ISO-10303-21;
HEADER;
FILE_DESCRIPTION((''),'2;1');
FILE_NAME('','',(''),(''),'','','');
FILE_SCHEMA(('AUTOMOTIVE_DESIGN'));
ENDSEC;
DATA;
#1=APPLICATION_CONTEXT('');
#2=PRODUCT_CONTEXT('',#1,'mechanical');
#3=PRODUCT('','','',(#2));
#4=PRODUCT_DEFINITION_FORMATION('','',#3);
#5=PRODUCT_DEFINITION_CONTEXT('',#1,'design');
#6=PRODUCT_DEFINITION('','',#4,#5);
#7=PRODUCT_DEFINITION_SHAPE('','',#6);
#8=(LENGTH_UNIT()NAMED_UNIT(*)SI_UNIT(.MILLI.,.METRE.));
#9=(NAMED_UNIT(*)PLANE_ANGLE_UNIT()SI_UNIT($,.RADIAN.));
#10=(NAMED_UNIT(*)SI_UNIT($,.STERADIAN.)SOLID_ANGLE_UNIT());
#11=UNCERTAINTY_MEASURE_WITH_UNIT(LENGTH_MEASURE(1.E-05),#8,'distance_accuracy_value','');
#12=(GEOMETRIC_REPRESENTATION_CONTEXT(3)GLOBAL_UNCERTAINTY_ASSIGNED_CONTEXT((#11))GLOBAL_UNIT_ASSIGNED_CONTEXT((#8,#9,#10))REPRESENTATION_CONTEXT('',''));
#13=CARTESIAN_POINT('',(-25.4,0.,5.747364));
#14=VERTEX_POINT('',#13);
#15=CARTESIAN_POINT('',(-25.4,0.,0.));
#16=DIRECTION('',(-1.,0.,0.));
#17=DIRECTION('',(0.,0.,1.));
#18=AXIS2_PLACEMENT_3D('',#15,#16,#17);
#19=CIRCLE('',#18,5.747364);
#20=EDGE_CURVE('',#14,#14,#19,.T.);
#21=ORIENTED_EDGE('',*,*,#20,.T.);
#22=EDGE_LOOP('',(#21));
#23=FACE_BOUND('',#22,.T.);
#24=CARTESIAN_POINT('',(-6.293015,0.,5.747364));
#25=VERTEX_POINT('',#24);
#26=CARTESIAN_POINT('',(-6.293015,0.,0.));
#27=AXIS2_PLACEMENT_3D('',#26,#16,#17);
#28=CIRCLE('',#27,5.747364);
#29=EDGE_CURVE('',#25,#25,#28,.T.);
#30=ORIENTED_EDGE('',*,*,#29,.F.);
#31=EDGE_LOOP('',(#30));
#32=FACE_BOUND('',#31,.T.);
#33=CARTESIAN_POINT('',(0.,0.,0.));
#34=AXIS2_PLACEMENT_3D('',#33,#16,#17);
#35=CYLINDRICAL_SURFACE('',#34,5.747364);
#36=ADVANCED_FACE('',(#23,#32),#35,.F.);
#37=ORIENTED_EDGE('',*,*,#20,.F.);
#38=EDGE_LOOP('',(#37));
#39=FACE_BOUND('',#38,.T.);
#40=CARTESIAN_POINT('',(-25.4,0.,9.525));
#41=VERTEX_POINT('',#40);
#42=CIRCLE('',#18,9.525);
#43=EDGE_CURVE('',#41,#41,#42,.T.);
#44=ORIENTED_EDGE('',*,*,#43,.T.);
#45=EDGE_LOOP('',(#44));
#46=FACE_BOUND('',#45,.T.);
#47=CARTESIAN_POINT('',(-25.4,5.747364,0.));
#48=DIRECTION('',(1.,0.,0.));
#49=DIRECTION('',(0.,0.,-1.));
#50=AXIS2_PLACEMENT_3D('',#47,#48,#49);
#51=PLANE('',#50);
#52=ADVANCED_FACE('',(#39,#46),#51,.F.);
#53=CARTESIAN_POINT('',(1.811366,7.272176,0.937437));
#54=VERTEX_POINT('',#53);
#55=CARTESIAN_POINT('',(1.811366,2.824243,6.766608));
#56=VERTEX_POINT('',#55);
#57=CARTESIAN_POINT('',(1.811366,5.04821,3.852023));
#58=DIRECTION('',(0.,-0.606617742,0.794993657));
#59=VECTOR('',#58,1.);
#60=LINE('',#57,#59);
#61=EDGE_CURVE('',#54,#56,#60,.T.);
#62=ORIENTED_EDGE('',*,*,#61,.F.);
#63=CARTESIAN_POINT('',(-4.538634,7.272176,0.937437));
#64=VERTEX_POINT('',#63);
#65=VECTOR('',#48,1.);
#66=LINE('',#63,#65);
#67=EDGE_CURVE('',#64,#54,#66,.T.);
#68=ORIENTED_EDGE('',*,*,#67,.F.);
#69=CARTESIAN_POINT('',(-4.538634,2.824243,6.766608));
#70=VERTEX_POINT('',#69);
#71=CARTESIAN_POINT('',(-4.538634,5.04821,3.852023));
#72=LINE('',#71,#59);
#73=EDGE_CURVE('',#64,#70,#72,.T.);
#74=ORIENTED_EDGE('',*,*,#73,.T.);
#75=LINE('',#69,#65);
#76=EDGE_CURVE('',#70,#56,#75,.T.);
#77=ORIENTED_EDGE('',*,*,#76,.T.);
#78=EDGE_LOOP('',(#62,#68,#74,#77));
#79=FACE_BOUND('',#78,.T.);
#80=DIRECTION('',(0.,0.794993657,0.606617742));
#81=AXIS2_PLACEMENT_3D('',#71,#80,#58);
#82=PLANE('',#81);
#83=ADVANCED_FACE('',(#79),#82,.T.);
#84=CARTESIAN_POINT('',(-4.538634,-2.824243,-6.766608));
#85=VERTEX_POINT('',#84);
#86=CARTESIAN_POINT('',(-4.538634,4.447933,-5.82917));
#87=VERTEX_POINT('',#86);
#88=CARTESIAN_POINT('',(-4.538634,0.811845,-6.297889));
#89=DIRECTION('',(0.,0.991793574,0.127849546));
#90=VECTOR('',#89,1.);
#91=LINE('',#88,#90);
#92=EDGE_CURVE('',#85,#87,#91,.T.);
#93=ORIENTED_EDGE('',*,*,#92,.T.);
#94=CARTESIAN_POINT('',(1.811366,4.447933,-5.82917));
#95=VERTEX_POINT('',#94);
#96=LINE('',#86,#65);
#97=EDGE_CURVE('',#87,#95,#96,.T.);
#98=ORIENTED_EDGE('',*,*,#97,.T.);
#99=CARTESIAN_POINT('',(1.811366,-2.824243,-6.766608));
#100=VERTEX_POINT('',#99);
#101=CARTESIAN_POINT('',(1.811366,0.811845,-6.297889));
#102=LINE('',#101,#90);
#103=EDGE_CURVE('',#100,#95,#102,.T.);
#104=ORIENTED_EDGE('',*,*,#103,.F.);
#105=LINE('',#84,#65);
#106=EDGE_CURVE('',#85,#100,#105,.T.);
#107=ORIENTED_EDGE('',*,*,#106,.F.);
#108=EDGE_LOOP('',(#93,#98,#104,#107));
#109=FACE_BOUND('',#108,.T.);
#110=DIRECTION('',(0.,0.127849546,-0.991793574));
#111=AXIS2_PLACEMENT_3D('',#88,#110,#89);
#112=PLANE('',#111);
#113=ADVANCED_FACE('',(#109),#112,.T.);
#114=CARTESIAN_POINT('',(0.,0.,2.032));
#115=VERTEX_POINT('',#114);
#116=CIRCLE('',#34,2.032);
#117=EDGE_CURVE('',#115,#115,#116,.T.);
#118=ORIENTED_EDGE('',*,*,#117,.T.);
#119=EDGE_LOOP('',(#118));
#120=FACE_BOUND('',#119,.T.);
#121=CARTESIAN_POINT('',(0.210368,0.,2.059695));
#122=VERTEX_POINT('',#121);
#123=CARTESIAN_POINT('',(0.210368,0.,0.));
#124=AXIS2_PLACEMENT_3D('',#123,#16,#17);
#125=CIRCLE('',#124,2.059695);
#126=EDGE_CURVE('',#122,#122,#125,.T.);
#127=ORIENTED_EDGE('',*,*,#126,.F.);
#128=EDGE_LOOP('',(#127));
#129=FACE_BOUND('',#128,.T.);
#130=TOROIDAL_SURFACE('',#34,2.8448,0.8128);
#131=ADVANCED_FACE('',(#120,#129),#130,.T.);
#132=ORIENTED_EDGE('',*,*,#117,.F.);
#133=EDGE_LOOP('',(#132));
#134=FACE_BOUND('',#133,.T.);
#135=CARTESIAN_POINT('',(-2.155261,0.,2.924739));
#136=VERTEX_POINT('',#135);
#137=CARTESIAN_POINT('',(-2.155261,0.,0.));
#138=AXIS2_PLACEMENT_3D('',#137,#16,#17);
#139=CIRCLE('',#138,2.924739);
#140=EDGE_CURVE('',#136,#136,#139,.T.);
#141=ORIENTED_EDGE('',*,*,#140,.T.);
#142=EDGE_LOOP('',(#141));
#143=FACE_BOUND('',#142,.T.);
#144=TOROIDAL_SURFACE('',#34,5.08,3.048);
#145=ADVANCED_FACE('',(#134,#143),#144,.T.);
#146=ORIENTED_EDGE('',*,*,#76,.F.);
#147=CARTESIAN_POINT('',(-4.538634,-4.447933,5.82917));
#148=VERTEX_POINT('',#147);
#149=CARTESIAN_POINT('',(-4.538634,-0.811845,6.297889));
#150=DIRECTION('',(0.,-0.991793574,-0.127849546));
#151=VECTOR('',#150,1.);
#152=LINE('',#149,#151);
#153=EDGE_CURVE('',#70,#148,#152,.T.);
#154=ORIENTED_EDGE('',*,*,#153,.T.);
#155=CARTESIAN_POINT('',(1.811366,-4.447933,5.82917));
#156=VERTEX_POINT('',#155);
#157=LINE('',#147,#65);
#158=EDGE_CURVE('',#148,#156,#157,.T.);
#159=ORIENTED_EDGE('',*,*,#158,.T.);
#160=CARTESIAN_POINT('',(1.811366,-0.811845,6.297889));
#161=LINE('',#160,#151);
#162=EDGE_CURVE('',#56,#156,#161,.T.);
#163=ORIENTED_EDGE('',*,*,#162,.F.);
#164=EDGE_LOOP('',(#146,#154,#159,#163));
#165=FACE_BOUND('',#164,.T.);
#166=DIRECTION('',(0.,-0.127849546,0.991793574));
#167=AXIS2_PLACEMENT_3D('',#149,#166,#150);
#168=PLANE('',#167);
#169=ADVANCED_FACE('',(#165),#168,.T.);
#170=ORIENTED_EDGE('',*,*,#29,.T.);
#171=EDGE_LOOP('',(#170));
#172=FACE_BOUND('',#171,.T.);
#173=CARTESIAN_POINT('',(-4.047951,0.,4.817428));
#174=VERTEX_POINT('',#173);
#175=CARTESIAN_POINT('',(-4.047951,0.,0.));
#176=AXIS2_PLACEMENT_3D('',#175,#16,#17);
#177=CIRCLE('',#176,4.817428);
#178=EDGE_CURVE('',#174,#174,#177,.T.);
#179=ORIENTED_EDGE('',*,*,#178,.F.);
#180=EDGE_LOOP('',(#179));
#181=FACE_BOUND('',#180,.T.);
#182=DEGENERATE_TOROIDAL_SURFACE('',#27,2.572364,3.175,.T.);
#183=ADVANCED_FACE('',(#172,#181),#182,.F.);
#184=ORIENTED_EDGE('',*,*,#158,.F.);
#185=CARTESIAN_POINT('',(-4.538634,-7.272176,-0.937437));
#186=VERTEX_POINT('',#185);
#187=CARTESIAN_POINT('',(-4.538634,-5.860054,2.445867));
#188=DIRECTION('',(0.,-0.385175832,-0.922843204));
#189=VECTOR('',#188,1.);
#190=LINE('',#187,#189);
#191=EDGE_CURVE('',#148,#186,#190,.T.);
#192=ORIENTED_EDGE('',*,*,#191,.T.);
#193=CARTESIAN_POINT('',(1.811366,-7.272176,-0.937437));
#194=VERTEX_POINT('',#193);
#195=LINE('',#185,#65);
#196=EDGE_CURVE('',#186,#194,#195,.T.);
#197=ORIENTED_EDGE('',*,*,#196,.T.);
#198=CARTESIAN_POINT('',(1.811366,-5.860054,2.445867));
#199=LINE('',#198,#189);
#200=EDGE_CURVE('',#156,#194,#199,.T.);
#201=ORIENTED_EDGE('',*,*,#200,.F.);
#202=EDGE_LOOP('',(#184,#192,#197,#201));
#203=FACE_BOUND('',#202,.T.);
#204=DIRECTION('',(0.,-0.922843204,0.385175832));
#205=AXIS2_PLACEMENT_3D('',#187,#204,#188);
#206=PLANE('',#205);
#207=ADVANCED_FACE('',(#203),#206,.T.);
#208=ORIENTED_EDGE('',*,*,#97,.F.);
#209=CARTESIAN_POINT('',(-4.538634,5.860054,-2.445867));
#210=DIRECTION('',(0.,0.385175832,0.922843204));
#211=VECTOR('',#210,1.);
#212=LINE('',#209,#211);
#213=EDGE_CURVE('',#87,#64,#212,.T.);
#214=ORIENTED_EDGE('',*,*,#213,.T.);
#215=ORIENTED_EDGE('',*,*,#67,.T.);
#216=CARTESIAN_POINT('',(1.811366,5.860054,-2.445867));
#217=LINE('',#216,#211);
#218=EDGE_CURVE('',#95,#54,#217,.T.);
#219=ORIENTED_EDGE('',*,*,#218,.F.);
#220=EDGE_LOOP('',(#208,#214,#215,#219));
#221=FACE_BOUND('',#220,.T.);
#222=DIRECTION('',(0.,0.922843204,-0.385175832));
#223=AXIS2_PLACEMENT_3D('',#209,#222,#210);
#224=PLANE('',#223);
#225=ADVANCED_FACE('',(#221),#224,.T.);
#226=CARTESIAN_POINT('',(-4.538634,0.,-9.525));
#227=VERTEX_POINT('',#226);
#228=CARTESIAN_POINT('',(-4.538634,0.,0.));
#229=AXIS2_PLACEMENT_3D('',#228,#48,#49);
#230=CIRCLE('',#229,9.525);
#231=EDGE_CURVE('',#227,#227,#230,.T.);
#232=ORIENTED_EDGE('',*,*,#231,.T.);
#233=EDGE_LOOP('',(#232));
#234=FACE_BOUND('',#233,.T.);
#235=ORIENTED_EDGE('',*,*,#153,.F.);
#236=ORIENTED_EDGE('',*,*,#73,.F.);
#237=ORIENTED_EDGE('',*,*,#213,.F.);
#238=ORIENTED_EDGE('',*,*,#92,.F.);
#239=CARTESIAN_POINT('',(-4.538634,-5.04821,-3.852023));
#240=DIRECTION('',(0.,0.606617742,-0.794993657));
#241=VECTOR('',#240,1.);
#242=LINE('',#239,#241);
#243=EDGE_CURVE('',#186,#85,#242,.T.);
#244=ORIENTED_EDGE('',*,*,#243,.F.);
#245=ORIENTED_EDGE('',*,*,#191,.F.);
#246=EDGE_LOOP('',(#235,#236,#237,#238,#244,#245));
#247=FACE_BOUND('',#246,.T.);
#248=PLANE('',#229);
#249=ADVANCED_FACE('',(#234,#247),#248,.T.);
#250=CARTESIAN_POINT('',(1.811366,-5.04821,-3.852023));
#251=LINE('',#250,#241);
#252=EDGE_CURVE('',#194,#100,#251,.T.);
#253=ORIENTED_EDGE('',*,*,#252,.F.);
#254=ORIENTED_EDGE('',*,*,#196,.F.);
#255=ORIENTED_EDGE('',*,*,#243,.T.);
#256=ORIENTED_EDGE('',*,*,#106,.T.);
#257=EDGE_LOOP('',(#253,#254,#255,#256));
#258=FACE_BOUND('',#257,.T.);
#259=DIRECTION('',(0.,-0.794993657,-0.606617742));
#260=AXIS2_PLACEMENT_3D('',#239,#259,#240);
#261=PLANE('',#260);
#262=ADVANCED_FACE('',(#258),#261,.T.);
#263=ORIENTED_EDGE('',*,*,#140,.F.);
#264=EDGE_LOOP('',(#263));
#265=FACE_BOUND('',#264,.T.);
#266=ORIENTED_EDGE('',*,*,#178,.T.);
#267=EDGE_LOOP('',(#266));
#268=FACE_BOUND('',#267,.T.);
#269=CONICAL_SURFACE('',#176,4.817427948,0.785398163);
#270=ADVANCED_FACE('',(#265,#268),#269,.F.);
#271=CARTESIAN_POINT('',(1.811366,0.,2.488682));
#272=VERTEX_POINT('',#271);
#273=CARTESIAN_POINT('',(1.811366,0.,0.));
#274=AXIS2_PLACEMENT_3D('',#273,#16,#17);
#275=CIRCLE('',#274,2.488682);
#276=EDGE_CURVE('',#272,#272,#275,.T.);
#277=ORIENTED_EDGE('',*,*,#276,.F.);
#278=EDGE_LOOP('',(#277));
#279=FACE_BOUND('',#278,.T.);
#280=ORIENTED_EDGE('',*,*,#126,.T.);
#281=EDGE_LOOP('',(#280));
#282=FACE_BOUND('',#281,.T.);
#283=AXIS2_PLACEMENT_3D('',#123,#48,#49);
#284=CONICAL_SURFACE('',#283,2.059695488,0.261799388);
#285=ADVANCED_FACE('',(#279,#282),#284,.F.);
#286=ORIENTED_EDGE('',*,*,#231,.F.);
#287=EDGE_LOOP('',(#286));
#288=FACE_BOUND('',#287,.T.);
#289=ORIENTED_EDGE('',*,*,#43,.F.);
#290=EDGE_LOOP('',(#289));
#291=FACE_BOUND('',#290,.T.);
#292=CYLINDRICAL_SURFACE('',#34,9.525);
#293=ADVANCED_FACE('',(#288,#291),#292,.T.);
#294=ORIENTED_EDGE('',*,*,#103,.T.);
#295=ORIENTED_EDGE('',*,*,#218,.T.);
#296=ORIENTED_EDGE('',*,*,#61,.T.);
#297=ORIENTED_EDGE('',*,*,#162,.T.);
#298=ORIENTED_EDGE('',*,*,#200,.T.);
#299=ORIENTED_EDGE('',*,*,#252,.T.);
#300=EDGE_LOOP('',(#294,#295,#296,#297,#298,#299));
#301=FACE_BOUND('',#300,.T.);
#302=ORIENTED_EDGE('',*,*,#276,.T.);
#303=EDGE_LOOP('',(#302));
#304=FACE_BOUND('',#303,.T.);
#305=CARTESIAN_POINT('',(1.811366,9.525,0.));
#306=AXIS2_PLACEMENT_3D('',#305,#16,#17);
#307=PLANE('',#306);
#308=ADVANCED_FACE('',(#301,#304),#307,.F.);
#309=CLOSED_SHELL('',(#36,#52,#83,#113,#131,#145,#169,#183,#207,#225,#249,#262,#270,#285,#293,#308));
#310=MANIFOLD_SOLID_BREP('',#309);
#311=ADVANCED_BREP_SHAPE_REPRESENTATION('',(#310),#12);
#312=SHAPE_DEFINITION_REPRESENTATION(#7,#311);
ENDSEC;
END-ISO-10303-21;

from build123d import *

# Parameters (mm, degrees)
CUT_EXTRUDE2_START = -6.35
SKETCH3_R          = 9.525
CUT_EXTRUDE2_DEPTH = 6.35


with BuildPart() as part:
    # Sketch1 → Revolve1 (revolve)
    with BuildSketch(Plane.XY, mode=Mode.PRIVATE) as revolve1_sk:
        with BuildLine():
            Line((0.21036812, 2.059695488), (1.811366005, 2.488681579))
            Line((1.811366005, 2.488681579), (1.811366005, 9.525))
            Line((1.811366005, 9.525), (-10.888633995, 9.525))
            Line((-10.888633995, 9.525), (-25.4, 9.525))
            Line((-25.4, 9.525), (-25.4, 5.747363917))
            Line((-25.4, 5.747363917), (-6.293014916, 5.747363917))
            ThreePointArc((-6.293014916, 5.747363917), (-5.077995018, 5.505681433), (-4.047950886, 4.817427948))
            Line((-4.047950886, 4.817427948), (-2.155261469, 2.924738531))
            ThreePointArc((-2.155261469, 2.924738531), (-1.166419102, 2.264015185), (0, 2.032))
            ThreePointArc((0, 2.032), (0.106091689, 2.038953617), (0.21036812, 2.059695488))
        make_face()
    revolve(revolve1_sk.sketch.rotate(Axis((0, 0, 0), (1, 0, 0)), 90), axis=Axis((0, 0, 0), (1, 0, 0)))

    # Sketch3 → Cut-Extrude2 (cut)
    with BuildSketch(Plane(origin=(1.811366005, 0, 0), x_dir=(0, 0, -1), z_dir=(1, 0, 0)).offset(CUT_EXTRUDE2_START)):
        with Locations(Location((0, 0, 0), (0, 0, 180))):
            Circle(SKETCH3_R)
        Polygon((-5.829170486, -4.447932641), (0.937437419, -7.272176044), (6.766607905, -2.824243403), (5.829170486, 4.447932641), (-0.937437419, 7.272176044), (-6.766607905, 2.824243403), align=None, mode=Mode.SUBTRACT)
    extrude(amount=CUT_EXTRUDE2_DEPTH, mode=Mode.SUBTRACT)


solid = part.part
